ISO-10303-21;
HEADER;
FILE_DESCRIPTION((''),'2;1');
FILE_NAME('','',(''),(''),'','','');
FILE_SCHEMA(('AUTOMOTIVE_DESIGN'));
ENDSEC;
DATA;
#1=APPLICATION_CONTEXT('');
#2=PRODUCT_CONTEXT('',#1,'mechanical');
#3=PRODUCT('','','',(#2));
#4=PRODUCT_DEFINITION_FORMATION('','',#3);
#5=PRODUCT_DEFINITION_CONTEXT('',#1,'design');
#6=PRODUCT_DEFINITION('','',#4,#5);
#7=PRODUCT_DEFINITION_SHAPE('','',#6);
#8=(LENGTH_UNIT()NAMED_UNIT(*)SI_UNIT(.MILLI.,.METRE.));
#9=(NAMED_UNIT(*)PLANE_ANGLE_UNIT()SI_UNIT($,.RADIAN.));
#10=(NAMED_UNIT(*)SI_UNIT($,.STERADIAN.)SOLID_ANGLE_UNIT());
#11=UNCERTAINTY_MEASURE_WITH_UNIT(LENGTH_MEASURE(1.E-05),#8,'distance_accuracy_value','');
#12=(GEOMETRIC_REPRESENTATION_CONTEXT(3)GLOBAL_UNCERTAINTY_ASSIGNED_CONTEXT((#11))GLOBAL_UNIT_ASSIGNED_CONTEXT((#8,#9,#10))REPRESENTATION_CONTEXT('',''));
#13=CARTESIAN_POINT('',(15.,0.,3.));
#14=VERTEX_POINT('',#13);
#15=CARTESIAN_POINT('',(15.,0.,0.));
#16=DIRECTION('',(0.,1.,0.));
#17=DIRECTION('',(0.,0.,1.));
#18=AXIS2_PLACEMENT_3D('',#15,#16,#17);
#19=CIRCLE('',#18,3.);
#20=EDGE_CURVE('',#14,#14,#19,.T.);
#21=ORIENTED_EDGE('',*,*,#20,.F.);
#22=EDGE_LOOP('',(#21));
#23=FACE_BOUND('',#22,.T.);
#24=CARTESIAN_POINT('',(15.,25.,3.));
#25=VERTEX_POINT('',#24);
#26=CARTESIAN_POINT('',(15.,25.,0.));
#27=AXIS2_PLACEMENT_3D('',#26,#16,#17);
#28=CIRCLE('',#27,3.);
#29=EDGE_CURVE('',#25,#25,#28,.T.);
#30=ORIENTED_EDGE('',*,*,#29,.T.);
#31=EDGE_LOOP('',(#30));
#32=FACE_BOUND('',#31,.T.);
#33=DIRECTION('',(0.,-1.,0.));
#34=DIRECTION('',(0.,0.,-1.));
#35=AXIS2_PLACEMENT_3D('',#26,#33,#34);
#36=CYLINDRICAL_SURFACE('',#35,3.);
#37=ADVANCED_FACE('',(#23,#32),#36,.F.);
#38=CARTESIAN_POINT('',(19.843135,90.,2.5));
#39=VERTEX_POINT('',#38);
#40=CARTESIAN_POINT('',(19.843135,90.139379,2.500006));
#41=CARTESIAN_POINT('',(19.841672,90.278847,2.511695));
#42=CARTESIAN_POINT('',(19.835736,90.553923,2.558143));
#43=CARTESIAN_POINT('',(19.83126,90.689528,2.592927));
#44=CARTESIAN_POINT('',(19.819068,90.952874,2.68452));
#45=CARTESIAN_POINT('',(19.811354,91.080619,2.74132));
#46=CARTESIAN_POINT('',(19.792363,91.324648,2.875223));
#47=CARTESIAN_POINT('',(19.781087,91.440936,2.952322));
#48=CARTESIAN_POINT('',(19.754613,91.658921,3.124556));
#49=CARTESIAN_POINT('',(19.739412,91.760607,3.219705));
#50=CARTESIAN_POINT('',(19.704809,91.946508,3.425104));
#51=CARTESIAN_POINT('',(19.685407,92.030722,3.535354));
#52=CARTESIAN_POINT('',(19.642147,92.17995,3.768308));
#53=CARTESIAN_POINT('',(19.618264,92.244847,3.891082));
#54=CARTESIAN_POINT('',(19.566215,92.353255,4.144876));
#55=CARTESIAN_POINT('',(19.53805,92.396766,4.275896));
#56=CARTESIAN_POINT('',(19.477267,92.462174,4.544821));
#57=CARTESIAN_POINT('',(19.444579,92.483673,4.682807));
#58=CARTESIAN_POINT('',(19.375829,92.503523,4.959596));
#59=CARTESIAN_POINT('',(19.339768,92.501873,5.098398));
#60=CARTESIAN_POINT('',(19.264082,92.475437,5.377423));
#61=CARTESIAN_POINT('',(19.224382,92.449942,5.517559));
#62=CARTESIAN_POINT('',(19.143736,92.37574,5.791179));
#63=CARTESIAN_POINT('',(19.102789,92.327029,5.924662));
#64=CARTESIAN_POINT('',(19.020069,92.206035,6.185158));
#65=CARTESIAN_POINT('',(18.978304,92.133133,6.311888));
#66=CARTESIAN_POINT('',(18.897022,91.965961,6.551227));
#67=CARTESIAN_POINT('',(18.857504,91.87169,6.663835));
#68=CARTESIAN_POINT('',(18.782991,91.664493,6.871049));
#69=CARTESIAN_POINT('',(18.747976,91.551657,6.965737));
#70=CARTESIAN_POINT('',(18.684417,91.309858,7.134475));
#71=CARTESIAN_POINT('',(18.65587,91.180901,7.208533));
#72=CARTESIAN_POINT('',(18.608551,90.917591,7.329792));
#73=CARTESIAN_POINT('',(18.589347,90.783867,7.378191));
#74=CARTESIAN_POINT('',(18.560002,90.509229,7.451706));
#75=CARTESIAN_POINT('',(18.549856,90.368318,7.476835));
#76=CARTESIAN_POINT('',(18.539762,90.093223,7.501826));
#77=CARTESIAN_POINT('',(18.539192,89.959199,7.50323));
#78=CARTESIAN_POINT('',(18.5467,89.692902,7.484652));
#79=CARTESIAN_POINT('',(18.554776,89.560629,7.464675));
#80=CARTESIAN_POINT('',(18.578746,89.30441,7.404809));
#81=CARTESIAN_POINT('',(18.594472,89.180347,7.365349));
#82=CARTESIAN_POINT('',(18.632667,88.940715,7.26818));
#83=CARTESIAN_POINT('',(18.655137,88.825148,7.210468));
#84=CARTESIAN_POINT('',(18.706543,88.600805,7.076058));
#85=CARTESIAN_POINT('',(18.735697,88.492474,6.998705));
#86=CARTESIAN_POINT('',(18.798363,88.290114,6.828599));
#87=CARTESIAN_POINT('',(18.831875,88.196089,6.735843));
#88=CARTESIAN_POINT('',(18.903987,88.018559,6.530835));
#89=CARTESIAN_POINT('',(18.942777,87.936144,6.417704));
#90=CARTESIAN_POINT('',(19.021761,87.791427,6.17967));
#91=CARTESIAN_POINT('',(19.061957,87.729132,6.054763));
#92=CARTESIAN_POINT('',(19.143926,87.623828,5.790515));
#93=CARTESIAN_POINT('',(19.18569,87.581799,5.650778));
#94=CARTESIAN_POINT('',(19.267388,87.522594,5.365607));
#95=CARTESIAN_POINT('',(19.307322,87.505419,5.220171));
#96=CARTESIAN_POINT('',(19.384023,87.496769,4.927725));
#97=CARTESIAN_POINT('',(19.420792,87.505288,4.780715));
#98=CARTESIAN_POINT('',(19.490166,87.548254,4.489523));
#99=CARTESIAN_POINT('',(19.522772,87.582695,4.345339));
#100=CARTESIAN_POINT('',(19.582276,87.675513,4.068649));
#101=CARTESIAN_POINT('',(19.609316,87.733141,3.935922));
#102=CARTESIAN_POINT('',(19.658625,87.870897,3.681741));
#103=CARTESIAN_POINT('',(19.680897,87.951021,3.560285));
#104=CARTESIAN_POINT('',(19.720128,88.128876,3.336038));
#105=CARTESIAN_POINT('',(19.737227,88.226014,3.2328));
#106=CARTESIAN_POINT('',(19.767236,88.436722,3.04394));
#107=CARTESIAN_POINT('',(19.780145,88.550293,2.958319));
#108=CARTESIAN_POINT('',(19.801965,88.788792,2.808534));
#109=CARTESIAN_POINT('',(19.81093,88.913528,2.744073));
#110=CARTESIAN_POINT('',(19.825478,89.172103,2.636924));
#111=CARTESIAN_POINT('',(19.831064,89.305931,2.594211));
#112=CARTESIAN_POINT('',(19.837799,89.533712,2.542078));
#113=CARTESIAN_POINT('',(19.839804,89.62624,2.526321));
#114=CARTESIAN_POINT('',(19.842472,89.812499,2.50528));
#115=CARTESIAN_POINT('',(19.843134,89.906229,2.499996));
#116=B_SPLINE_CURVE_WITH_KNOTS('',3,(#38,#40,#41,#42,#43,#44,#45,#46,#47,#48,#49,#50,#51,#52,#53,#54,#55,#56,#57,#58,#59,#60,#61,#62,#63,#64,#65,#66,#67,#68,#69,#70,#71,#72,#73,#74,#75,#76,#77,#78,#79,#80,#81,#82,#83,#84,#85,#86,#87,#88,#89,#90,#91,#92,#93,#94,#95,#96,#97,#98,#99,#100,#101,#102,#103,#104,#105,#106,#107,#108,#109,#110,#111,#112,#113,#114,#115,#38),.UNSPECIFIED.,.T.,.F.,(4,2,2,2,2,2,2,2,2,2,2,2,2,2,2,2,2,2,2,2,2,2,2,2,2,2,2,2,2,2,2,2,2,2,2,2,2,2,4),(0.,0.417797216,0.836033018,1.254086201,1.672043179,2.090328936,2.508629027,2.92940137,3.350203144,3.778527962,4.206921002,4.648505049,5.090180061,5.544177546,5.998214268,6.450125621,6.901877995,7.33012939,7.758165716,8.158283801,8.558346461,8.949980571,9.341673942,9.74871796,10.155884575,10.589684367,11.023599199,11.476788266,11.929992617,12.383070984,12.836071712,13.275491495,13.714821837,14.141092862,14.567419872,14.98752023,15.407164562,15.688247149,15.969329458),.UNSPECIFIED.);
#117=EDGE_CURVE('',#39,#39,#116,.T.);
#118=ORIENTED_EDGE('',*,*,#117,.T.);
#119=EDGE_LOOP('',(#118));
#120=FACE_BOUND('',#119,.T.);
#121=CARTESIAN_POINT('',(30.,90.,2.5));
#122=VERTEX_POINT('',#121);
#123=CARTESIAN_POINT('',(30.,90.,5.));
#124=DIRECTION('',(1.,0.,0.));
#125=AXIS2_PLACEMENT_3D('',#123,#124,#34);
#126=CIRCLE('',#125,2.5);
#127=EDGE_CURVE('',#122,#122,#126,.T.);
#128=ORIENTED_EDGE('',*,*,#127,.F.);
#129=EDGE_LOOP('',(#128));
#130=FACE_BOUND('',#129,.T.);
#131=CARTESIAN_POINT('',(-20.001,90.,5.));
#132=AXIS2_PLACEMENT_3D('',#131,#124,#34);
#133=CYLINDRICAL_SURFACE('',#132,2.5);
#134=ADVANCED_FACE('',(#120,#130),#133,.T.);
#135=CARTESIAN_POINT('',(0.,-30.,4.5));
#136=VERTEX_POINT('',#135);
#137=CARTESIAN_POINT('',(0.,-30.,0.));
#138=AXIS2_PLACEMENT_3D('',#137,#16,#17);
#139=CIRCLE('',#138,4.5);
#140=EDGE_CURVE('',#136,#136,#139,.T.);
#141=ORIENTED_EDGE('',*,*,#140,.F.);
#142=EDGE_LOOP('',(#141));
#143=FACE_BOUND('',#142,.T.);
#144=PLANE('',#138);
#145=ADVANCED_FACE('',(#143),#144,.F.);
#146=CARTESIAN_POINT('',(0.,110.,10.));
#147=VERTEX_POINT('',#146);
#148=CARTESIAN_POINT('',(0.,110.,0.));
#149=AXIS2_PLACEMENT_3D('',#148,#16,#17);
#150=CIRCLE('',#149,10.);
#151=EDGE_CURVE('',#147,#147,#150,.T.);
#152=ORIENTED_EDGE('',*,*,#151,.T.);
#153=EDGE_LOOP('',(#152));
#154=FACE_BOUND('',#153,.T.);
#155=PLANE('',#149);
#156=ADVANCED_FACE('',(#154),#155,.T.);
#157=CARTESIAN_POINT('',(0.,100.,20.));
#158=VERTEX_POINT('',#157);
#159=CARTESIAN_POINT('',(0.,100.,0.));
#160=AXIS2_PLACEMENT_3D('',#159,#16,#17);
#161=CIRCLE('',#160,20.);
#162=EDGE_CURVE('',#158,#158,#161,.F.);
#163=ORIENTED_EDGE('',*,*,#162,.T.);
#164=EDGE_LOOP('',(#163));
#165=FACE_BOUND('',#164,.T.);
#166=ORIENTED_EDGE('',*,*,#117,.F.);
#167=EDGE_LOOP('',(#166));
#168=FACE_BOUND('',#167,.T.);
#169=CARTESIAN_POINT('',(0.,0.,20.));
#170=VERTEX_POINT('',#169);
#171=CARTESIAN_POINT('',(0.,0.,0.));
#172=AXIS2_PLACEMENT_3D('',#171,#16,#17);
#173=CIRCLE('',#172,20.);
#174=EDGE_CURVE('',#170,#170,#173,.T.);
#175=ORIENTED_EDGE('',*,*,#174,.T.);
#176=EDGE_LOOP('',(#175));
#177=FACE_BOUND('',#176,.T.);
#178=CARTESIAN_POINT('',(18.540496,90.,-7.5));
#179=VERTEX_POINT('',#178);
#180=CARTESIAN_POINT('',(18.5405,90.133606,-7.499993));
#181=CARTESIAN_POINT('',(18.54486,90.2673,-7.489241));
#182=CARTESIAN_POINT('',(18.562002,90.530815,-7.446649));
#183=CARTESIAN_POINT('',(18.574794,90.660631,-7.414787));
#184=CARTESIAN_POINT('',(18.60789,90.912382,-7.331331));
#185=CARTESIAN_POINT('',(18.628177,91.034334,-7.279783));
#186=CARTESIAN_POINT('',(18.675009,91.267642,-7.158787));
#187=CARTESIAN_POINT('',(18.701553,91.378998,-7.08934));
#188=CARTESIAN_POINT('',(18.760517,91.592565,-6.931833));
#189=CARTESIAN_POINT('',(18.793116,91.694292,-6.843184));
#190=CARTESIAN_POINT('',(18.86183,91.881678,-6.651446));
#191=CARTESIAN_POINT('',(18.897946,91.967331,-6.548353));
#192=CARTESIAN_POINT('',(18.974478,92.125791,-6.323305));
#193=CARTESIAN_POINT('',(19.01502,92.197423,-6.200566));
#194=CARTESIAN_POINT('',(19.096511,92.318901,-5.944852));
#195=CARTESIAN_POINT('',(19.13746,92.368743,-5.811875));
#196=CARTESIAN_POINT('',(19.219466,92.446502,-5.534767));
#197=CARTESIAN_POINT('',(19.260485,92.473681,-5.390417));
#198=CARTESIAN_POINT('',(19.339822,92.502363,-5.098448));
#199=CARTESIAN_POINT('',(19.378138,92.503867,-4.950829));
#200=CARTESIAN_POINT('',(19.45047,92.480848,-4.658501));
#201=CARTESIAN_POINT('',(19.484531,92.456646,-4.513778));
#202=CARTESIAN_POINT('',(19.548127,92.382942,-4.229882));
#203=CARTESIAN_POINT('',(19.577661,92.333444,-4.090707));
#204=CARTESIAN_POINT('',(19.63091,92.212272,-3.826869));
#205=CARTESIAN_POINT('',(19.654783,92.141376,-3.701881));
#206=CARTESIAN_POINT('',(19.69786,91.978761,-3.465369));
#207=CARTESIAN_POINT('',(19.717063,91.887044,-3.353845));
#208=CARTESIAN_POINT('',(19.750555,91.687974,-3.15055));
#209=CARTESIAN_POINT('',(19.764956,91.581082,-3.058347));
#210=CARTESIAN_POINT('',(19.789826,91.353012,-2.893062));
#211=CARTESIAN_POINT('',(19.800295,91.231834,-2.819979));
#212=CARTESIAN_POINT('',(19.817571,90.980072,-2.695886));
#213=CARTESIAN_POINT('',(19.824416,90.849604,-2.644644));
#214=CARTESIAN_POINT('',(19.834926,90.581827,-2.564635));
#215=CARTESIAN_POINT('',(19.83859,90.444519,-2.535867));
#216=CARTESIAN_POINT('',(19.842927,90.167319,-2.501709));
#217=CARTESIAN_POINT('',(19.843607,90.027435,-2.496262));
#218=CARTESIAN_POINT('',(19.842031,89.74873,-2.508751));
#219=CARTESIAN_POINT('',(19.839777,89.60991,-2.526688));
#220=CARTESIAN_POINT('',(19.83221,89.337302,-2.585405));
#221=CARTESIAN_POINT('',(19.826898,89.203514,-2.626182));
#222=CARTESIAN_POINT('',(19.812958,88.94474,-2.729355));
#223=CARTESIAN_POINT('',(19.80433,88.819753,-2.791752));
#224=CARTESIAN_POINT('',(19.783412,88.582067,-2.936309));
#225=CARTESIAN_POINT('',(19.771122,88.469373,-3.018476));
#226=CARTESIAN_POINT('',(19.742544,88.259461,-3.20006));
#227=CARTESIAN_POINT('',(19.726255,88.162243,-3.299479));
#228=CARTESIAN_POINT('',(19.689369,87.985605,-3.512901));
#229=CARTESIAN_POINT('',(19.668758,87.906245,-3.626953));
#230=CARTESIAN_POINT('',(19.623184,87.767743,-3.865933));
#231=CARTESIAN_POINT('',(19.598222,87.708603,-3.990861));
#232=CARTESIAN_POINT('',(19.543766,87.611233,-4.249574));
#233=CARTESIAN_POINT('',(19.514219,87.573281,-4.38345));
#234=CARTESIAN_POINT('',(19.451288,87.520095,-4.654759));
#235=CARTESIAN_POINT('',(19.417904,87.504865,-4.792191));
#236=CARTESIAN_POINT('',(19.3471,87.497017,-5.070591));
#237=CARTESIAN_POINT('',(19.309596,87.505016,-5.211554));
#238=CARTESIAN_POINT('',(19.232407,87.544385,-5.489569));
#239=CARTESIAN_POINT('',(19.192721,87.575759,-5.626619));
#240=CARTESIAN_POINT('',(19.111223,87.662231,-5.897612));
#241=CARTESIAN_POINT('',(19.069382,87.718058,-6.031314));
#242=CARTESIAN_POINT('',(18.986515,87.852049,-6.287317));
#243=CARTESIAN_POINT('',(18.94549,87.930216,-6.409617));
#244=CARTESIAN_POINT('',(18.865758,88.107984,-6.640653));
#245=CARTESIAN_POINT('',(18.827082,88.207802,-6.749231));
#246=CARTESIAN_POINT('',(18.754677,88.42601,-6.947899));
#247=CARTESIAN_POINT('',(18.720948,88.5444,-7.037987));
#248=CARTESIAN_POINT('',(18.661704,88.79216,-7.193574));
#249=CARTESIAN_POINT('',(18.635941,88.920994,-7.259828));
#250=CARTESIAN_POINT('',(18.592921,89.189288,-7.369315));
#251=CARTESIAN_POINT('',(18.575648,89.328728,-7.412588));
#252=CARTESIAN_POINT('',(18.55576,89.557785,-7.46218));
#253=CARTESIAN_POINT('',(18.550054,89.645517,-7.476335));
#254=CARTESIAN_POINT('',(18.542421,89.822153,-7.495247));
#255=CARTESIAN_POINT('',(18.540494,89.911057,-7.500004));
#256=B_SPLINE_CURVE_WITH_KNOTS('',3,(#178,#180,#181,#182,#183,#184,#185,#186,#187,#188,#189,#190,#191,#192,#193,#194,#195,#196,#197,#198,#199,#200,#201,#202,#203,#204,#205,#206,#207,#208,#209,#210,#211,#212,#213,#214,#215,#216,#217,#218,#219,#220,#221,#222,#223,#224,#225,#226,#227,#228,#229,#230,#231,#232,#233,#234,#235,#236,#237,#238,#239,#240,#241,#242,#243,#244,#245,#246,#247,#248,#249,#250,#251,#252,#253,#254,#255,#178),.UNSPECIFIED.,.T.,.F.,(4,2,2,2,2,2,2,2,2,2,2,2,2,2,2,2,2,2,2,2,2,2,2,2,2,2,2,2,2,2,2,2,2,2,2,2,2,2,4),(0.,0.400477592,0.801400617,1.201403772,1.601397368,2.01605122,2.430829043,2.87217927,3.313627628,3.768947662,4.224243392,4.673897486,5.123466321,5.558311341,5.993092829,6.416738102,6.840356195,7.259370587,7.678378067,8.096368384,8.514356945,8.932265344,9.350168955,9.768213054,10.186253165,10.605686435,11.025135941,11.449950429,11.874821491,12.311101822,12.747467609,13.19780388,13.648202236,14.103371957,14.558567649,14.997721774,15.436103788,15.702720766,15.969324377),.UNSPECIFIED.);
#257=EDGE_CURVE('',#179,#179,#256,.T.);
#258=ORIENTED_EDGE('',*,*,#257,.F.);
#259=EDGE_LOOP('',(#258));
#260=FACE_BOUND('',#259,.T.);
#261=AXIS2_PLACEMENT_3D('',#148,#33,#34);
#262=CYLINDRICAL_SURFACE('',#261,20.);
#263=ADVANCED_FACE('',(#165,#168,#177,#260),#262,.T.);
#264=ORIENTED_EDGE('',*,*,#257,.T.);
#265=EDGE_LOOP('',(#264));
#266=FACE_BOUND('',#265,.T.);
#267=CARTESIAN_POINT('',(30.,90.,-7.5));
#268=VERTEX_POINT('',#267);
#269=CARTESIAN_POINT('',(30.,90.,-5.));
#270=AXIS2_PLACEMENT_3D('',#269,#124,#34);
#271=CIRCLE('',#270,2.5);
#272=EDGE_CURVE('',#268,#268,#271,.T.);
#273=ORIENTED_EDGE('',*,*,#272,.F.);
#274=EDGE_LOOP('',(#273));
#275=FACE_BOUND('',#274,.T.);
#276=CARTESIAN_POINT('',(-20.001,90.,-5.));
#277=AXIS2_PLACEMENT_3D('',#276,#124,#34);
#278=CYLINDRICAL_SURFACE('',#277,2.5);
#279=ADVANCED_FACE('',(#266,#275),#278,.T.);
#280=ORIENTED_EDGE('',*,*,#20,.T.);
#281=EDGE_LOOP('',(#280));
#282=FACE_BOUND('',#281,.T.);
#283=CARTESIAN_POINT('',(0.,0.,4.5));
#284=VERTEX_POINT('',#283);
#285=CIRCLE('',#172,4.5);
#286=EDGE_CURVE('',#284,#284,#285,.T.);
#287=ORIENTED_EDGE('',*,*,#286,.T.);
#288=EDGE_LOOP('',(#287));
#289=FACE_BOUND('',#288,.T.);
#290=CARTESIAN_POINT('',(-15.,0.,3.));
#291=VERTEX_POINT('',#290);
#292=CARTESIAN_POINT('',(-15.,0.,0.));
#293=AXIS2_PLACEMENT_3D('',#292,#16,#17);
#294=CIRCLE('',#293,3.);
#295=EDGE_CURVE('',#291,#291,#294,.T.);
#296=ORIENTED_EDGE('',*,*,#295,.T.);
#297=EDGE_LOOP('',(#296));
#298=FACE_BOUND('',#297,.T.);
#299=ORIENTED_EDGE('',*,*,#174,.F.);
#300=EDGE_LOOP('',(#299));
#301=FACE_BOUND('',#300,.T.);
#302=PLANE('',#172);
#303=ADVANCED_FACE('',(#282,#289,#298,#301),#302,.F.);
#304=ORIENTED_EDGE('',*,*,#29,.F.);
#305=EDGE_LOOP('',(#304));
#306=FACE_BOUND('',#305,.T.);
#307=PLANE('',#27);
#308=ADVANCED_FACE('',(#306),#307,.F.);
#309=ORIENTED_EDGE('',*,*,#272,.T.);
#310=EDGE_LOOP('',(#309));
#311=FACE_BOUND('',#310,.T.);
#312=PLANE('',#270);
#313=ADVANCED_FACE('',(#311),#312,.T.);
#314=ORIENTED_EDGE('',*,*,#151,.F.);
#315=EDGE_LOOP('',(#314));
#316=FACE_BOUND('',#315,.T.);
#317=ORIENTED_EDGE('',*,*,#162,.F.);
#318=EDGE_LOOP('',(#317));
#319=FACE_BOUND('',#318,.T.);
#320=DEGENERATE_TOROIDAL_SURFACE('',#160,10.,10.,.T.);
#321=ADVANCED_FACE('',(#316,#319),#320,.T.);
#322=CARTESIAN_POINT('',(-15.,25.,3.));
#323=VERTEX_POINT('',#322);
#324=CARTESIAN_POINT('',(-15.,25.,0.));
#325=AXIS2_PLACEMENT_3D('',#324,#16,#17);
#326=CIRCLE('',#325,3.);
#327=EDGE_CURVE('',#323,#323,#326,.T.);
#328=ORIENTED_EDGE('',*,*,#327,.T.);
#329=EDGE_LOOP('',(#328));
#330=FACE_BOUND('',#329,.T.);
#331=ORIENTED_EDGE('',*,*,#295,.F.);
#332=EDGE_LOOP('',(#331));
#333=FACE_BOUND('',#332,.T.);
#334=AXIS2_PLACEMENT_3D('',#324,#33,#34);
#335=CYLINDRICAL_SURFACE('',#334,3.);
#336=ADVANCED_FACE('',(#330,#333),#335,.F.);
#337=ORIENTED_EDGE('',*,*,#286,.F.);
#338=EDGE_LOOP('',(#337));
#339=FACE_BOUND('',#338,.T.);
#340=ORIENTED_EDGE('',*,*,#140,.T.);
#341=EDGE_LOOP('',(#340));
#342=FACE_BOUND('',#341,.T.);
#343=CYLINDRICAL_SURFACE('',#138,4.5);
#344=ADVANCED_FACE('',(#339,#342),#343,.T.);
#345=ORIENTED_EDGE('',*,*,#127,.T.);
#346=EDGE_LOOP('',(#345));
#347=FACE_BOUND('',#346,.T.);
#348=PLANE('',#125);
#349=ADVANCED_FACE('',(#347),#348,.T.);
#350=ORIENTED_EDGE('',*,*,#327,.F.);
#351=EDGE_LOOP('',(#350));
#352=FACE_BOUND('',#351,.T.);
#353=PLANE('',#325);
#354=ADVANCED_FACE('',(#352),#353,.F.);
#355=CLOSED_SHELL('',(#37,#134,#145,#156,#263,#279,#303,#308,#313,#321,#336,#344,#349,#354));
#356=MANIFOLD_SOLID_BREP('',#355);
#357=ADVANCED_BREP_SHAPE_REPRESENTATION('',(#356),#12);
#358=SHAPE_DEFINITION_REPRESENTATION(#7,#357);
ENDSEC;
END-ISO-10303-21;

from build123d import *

# Parameters (mm, degrees)
SKETCH1_R           = 20
BOSS_EXTRUDE1_DEPTH = 110
SKETCH2_R           = 3
CUT_EXTRUDE1_DEPTH  = 25
SKETCH3_R           = 4.5
BOSS_EXTRUDE2_DEPTH = 30
FILLET1_R           = 10
BOSS_EXTRUDE3_REACH = 52
SKETCH4_R           = 2.5


with BuildPart() as part:
    # Sketch1 → Boss-Extrude1 (new body)
    with BuildSketch(Plane(origin=(0, 0, 0), x_dir=(1, 0, 0), z_dir=(0, 1, 0))):
        Circle(SKETCH1_R)
    extrude(amount=BOSS_EXTRUDE1_DEPTH)

    # Sketch2 → Cut-Extrude1 (cut)
    with BuildSketch(Plane(origin=(0, 0, 0), x_dir=(1, 0, 0), z_dir=(0, 1, 0))):
        with Locations((15, 0)):
            Circle(SKETCH2_R)
        with Locations((-15, 0)):
            Circle(SKETCH2_R)
    extrude(amount=CUT_EXTRUDE1_DEPTH, mode=Mode.SUBTRACT)

    # Sketch3 → Boss-Extrude2 (add)
    with BuildSketch(Plane(origin=(0, 0, 0), x_dir=(1, 0, 0), z_dir=(0, 1, 0))):
        Circle(SKETCH3_R)
    extrude(amount=-BOSS_EXTRUDE2_DEPTH)

    # Fillet1
    fillet1_edges = [part.edges().sort_by_distance(p)[0] for p in [
        (-20, 110, 0),
    ]]
    fillet(fillet1_edges, radius=FILLET1_R)

    # Sketch4 → Boss-Extrude3 (add, up to next)
    with BuildSketch(Plane(origin=(30, 0, 0), x_dir=(0, 0, -1), z_dir=(1, 0, 0)), mode=Mode.PRIVATE) as boss_extrude3_sk1:
        with Locations((5, 90)):
            Circle(SKETCH4_R)
    boss_extrude3_tool1 = extrude(boss_extrude3_sk1.sketch, amount=-BOSS_EXTRUDE3_REACH, mode=Mode.PRIVATE) - part.part
    add(boss_extrude3_tool1.solids().sort_by_distance((30, 90, -5))[0])
    # Sketch4 → Boss-Extrude3 (add, up to next)
    with BuildSketch(Plane(origin=(30, 0, 0), x_dir=(0, 0, -1), z_dir=(1, 0, 0)), mode=Mode.PRIVATE) as boss_extrude3_sk2:
        with Locations((-5, 90)):
            Circle(SKETCH4_R)
    boss_extrude3_tool2 = extrude(boss_extrude3_sk2.sketch, amount=-BOSS_EXTRUDE3_REACH, mode=Mode.PRIVATE) - part.part
    add(boss_extrude3_tool2.solids().sort_by_distance((30, 90, 5))[0])


solid = part.part
